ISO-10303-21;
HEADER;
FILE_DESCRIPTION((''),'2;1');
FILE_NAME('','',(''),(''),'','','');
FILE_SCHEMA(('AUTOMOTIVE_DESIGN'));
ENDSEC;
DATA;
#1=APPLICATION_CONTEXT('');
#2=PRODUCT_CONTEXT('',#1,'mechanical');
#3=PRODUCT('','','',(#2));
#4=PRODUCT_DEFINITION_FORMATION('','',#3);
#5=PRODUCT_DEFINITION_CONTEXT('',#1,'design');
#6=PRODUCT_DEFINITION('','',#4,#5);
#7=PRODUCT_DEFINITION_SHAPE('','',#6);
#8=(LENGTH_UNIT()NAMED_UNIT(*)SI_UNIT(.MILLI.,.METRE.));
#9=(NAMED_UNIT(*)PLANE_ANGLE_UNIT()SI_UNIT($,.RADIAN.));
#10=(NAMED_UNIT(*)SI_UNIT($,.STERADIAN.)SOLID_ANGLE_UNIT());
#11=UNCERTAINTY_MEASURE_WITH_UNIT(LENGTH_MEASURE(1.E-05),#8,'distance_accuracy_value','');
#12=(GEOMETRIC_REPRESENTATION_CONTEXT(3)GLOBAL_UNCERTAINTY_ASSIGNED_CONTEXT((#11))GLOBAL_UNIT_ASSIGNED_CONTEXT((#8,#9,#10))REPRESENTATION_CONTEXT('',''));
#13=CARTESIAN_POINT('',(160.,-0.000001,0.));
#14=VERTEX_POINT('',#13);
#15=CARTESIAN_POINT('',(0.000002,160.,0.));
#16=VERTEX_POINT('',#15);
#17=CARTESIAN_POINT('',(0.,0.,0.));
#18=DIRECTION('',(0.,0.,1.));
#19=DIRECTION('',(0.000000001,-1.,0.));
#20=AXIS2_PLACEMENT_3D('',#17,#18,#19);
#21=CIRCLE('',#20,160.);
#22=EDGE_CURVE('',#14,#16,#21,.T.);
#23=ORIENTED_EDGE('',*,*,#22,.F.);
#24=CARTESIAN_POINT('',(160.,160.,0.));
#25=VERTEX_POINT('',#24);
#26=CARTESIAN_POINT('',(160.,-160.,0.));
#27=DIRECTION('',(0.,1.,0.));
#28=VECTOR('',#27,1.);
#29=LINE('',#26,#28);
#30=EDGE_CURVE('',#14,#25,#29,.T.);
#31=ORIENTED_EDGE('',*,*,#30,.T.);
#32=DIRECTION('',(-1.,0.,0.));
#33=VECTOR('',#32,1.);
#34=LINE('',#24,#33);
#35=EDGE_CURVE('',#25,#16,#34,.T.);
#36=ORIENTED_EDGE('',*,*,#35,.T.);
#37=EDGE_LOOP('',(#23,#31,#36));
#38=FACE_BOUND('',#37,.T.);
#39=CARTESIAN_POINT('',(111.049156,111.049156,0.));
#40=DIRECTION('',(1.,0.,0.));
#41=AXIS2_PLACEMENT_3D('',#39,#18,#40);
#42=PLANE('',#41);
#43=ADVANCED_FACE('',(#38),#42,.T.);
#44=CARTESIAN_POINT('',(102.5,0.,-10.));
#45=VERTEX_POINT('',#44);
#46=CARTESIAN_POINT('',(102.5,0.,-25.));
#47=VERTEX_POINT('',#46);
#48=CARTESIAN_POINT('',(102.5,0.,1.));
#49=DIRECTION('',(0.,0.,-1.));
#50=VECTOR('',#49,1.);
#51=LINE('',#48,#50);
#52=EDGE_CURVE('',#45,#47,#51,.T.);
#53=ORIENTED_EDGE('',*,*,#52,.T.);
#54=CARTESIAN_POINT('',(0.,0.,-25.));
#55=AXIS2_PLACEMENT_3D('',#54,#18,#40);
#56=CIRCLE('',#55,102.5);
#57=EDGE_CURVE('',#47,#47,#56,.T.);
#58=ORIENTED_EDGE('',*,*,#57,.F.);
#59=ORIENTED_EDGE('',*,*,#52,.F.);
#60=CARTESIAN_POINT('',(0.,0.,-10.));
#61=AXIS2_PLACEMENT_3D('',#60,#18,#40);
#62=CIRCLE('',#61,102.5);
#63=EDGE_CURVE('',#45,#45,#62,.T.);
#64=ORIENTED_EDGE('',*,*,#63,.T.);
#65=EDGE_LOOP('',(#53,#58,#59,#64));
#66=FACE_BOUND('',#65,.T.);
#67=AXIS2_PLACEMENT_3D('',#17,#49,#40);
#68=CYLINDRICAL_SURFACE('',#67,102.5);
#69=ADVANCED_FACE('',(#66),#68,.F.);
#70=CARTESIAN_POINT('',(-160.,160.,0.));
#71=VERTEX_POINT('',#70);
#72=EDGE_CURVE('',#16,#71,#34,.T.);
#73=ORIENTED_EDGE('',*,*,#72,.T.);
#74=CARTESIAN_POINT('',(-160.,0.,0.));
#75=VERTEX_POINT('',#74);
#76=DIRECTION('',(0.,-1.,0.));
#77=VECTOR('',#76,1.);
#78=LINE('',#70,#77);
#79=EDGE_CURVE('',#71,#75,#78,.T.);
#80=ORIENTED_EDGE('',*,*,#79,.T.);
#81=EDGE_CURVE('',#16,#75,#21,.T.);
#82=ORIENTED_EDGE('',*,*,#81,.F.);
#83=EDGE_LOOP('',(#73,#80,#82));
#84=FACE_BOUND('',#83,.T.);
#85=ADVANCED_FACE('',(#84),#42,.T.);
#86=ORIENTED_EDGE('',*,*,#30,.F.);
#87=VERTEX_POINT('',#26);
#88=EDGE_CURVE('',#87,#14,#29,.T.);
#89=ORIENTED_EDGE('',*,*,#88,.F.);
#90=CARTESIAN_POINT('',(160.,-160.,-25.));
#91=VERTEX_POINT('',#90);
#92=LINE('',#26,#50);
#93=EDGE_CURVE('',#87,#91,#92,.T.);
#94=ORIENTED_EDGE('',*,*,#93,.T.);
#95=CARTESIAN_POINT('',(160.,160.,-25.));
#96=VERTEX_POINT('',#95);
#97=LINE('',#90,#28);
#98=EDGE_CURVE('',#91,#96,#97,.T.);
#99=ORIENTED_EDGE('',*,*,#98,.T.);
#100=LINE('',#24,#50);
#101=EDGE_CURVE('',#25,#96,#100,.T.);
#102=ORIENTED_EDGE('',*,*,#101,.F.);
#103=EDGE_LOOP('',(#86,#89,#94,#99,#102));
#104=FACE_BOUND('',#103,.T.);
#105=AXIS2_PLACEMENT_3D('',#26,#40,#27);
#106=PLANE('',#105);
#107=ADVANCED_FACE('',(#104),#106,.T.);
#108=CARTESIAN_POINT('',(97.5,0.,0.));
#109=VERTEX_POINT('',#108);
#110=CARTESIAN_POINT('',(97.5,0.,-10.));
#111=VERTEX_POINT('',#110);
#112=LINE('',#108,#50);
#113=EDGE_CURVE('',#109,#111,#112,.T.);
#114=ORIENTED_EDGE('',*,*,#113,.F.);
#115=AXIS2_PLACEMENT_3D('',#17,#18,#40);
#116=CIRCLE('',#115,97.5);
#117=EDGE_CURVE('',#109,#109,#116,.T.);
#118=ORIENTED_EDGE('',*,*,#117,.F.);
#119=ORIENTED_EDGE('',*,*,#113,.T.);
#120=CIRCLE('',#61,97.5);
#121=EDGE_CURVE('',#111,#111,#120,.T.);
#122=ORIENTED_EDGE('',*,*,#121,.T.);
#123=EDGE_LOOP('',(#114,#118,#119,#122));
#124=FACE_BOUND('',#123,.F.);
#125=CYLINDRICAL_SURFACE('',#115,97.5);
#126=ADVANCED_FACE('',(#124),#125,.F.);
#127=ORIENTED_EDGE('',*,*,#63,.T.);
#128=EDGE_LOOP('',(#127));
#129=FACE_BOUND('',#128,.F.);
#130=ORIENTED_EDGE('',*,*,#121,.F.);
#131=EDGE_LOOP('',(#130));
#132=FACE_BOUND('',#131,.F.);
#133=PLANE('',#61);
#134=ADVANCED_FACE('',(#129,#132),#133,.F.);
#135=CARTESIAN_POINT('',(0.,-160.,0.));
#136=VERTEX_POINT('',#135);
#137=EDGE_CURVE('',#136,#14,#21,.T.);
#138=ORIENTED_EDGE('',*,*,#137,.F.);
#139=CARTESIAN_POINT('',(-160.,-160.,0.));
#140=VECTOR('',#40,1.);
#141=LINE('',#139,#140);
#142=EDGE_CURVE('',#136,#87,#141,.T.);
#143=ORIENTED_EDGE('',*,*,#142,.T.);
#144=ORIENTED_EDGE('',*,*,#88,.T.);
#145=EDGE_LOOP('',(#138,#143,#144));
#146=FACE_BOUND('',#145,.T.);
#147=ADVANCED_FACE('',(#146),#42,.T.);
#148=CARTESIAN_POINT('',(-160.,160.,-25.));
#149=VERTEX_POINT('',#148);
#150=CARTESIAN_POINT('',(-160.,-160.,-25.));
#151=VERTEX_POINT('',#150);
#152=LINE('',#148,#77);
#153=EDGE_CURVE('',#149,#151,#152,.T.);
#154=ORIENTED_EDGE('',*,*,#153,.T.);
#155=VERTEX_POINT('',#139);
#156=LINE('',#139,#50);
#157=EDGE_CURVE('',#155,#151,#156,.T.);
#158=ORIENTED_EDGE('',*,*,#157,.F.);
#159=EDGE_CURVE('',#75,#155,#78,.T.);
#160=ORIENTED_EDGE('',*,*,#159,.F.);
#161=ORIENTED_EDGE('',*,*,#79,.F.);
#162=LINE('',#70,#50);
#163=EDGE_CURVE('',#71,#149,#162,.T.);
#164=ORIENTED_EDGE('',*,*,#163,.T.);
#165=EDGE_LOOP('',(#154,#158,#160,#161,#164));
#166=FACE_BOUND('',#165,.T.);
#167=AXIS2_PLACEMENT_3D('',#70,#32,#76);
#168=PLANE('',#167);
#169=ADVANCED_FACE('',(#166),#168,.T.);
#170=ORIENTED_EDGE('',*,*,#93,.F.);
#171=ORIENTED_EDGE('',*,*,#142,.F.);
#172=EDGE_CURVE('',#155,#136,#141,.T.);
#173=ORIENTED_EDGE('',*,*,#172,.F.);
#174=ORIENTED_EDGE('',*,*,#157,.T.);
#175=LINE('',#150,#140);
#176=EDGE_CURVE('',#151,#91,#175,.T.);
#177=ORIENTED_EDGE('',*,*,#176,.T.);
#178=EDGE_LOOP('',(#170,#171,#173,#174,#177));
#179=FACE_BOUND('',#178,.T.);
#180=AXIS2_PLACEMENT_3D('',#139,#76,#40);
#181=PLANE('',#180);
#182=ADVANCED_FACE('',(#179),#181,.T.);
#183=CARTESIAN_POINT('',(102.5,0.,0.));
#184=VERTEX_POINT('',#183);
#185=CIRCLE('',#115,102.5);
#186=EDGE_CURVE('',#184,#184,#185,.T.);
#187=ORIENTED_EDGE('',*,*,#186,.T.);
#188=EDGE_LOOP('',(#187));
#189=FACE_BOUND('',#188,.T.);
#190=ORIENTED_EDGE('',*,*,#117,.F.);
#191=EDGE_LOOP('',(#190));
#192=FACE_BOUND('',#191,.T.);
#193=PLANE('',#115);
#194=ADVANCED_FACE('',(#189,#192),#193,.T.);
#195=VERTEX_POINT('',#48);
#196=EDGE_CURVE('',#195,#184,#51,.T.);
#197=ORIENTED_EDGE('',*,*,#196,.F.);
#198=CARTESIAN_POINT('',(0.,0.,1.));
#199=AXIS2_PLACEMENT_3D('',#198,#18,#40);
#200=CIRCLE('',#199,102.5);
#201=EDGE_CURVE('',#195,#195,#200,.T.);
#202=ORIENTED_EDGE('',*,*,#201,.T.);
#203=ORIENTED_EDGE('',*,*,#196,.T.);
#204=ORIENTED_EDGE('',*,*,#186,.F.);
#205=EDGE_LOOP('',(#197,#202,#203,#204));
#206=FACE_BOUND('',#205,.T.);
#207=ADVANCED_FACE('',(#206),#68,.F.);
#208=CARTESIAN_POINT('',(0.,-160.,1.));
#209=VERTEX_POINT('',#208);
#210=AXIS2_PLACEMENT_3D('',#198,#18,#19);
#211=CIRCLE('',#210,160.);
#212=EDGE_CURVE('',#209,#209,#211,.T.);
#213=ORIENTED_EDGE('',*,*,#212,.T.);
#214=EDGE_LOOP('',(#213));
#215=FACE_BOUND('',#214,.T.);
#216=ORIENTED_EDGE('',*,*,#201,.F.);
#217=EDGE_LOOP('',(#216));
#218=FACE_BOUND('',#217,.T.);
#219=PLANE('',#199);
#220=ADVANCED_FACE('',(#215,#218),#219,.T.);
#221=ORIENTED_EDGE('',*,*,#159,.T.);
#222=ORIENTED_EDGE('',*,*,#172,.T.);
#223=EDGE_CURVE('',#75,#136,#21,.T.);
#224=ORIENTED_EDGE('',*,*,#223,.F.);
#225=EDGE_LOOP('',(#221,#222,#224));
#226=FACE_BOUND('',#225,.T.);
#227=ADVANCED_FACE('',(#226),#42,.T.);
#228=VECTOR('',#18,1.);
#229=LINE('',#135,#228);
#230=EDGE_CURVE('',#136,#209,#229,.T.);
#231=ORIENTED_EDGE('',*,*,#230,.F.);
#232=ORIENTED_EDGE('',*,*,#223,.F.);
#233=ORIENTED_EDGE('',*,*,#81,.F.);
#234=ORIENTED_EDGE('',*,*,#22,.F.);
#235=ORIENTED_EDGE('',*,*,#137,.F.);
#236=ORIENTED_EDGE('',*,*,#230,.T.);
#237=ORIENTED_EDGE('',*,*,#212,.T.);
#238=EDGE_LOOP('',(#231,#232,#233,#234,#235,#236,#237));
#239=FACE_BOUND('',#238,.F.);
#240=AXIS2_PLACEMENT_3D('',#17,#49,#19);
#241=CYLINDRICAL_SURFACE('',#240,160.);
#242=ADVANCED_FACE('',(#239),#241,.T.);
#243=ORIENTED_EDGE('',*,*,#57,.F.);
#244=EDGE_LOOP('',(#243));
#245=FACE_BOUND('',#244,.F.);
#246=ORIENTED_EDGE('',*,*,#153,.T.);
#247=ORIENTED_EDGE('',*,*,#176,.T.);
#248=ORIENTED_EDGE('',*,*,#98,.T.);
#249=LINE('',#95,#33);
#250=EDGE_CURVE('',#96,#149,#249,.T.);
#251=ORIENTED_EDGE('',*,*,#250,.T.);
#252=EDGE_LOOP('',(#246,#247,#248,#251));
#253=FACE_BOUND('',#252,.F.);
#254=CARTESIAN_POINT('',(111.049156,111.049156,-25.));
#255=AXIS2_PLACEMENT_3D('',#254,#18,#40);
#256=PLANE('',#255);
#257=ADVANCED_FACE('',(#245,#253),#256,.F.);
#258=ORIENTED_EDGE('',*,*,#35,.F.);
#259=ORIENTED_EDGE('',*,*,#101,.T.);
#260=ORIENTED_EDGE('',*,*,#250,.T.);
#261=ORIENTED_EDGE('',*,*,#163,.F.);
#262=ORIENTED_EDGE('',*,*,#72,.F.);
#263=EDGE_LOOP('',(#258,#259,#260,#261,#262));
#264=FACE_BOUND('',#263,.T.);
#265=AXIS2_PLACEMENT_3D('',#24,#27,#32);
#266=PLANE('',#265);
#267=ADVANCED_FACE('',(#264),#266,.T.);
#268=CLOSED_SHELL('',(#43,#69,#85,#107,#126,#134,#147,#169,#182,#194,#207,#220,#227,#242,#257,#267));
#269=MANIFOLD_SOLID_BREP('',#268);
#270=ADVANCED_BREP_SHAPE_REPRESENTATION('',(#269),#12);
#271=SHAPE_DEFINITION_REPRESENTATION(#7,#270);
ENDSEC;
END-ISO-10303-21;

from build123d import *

# Parameters (mm, degrees)
F0_R     = 102.5
F1_DEPTH = 25
F2_DEPTH = 1
F3_DEPTH = 25
F4_R     = 102.5
F4_R_2   = 97.5
F5_DEPTH = 10


with BuildPart() as f1:
    # F0 (on Top) → F1 (new body)
    with BuildSketch(Plane.XY):
        with BuildLine():
            Line((160, 160), (2.52e-08, 160))
            ThreePointArc((2.52e-08, 160), (113.1370849988, 113.1370849809), (160, 0))
            Line((160, 0), (160, 160))
        make_face()
        with BuildLine():
            ThreePointArc((160, 0), (113.1370849988, 113.1370849809), (2.52e-08, 160))
            ThreePointArc((2.52e-08, 160), (-113.13708472, 113.1370852597), (-160, 7.381e-07))
            ThreePointArc((-160, 7.381e-07), (-113.1370852131, -113.1370847666), (1.067e-07, -160))
            ThreePointArc((1.067e-07, -160), (113.1370850276, -113.1370849521), (160, 0))
        make_face()
        Circle(F0_R, mode=Mode.SUBTRACT)
        with BuildLine():
            Line((160, -160), (160, 0))
            ThreePointArc((160, 0), (113.1370850276, -113.1370849521), (1.067e-07, -160))
            Line((1.067e-07, -160), (160, -160))
        make_face()
        Circle(F0_R)
        with BuildLine():
            Line((2.52e-08, 160), (-160, 160))
            Line((-160, 160), (-160, 7.381e-07))
            ThreePointArc((-160, 7.381e-07), (-113.13708472, 113.1370852597), (2.52e-08, 160))
        make_face()
        with BuildLine():
            ThreePointArc((1.067e-07, -160), (-113.1370852131, -113.1370847666), (-160, 7.381e-07))
            Line((-160, 7.381e-07), (-160, -160))
            Line((-160, -160), (1.067e-07, -160))
        make_face()
    extrude(amount=-F1_DEPTH)

    # F0 (on Top) → F2 (join)
    with BuildSketch(Plane.XY):
        with BuildLine():
            ThreePointArc((160, 0), (113.1370849988, 113.1370849809), (2.52e-08, 160))
            ThreePointArc((2.52e-08, 160), (-113.13708472, 113.1370852597), (-160, 7.381e-07))
            ThreePointArc((-160, 7.381e-07), (-113.1370852131, -113.1370847666), (1.067e-07, -160))
            ThreePointArc((1.067e-07, -160), (113.1370850276, -113.1370849521), (160, 0))
        make_face()
        Circle(F0_R, mode=Mode.SUBTRACT)
    extrude(amount=F2_DEPTH)

    # F3 (cut): a face of the model
    f3_faces = [f1.faces().sort_by_distance(p)[0] for p in [
        (0, 0, 0),
    ]]
    extrude(f3_faces, amount=-F3_DEPTH, mode=Mode.SUBTRACT)

    # F4 (on Top) → F5 (join)
    with BuildSketch(Plane.XY):
        Circle(F4_R)
        Circle(F4_R_2, mode=Mode.SUBTRACT)
    extrude(amount=-F5_DEPTH)


solid = f1.part
